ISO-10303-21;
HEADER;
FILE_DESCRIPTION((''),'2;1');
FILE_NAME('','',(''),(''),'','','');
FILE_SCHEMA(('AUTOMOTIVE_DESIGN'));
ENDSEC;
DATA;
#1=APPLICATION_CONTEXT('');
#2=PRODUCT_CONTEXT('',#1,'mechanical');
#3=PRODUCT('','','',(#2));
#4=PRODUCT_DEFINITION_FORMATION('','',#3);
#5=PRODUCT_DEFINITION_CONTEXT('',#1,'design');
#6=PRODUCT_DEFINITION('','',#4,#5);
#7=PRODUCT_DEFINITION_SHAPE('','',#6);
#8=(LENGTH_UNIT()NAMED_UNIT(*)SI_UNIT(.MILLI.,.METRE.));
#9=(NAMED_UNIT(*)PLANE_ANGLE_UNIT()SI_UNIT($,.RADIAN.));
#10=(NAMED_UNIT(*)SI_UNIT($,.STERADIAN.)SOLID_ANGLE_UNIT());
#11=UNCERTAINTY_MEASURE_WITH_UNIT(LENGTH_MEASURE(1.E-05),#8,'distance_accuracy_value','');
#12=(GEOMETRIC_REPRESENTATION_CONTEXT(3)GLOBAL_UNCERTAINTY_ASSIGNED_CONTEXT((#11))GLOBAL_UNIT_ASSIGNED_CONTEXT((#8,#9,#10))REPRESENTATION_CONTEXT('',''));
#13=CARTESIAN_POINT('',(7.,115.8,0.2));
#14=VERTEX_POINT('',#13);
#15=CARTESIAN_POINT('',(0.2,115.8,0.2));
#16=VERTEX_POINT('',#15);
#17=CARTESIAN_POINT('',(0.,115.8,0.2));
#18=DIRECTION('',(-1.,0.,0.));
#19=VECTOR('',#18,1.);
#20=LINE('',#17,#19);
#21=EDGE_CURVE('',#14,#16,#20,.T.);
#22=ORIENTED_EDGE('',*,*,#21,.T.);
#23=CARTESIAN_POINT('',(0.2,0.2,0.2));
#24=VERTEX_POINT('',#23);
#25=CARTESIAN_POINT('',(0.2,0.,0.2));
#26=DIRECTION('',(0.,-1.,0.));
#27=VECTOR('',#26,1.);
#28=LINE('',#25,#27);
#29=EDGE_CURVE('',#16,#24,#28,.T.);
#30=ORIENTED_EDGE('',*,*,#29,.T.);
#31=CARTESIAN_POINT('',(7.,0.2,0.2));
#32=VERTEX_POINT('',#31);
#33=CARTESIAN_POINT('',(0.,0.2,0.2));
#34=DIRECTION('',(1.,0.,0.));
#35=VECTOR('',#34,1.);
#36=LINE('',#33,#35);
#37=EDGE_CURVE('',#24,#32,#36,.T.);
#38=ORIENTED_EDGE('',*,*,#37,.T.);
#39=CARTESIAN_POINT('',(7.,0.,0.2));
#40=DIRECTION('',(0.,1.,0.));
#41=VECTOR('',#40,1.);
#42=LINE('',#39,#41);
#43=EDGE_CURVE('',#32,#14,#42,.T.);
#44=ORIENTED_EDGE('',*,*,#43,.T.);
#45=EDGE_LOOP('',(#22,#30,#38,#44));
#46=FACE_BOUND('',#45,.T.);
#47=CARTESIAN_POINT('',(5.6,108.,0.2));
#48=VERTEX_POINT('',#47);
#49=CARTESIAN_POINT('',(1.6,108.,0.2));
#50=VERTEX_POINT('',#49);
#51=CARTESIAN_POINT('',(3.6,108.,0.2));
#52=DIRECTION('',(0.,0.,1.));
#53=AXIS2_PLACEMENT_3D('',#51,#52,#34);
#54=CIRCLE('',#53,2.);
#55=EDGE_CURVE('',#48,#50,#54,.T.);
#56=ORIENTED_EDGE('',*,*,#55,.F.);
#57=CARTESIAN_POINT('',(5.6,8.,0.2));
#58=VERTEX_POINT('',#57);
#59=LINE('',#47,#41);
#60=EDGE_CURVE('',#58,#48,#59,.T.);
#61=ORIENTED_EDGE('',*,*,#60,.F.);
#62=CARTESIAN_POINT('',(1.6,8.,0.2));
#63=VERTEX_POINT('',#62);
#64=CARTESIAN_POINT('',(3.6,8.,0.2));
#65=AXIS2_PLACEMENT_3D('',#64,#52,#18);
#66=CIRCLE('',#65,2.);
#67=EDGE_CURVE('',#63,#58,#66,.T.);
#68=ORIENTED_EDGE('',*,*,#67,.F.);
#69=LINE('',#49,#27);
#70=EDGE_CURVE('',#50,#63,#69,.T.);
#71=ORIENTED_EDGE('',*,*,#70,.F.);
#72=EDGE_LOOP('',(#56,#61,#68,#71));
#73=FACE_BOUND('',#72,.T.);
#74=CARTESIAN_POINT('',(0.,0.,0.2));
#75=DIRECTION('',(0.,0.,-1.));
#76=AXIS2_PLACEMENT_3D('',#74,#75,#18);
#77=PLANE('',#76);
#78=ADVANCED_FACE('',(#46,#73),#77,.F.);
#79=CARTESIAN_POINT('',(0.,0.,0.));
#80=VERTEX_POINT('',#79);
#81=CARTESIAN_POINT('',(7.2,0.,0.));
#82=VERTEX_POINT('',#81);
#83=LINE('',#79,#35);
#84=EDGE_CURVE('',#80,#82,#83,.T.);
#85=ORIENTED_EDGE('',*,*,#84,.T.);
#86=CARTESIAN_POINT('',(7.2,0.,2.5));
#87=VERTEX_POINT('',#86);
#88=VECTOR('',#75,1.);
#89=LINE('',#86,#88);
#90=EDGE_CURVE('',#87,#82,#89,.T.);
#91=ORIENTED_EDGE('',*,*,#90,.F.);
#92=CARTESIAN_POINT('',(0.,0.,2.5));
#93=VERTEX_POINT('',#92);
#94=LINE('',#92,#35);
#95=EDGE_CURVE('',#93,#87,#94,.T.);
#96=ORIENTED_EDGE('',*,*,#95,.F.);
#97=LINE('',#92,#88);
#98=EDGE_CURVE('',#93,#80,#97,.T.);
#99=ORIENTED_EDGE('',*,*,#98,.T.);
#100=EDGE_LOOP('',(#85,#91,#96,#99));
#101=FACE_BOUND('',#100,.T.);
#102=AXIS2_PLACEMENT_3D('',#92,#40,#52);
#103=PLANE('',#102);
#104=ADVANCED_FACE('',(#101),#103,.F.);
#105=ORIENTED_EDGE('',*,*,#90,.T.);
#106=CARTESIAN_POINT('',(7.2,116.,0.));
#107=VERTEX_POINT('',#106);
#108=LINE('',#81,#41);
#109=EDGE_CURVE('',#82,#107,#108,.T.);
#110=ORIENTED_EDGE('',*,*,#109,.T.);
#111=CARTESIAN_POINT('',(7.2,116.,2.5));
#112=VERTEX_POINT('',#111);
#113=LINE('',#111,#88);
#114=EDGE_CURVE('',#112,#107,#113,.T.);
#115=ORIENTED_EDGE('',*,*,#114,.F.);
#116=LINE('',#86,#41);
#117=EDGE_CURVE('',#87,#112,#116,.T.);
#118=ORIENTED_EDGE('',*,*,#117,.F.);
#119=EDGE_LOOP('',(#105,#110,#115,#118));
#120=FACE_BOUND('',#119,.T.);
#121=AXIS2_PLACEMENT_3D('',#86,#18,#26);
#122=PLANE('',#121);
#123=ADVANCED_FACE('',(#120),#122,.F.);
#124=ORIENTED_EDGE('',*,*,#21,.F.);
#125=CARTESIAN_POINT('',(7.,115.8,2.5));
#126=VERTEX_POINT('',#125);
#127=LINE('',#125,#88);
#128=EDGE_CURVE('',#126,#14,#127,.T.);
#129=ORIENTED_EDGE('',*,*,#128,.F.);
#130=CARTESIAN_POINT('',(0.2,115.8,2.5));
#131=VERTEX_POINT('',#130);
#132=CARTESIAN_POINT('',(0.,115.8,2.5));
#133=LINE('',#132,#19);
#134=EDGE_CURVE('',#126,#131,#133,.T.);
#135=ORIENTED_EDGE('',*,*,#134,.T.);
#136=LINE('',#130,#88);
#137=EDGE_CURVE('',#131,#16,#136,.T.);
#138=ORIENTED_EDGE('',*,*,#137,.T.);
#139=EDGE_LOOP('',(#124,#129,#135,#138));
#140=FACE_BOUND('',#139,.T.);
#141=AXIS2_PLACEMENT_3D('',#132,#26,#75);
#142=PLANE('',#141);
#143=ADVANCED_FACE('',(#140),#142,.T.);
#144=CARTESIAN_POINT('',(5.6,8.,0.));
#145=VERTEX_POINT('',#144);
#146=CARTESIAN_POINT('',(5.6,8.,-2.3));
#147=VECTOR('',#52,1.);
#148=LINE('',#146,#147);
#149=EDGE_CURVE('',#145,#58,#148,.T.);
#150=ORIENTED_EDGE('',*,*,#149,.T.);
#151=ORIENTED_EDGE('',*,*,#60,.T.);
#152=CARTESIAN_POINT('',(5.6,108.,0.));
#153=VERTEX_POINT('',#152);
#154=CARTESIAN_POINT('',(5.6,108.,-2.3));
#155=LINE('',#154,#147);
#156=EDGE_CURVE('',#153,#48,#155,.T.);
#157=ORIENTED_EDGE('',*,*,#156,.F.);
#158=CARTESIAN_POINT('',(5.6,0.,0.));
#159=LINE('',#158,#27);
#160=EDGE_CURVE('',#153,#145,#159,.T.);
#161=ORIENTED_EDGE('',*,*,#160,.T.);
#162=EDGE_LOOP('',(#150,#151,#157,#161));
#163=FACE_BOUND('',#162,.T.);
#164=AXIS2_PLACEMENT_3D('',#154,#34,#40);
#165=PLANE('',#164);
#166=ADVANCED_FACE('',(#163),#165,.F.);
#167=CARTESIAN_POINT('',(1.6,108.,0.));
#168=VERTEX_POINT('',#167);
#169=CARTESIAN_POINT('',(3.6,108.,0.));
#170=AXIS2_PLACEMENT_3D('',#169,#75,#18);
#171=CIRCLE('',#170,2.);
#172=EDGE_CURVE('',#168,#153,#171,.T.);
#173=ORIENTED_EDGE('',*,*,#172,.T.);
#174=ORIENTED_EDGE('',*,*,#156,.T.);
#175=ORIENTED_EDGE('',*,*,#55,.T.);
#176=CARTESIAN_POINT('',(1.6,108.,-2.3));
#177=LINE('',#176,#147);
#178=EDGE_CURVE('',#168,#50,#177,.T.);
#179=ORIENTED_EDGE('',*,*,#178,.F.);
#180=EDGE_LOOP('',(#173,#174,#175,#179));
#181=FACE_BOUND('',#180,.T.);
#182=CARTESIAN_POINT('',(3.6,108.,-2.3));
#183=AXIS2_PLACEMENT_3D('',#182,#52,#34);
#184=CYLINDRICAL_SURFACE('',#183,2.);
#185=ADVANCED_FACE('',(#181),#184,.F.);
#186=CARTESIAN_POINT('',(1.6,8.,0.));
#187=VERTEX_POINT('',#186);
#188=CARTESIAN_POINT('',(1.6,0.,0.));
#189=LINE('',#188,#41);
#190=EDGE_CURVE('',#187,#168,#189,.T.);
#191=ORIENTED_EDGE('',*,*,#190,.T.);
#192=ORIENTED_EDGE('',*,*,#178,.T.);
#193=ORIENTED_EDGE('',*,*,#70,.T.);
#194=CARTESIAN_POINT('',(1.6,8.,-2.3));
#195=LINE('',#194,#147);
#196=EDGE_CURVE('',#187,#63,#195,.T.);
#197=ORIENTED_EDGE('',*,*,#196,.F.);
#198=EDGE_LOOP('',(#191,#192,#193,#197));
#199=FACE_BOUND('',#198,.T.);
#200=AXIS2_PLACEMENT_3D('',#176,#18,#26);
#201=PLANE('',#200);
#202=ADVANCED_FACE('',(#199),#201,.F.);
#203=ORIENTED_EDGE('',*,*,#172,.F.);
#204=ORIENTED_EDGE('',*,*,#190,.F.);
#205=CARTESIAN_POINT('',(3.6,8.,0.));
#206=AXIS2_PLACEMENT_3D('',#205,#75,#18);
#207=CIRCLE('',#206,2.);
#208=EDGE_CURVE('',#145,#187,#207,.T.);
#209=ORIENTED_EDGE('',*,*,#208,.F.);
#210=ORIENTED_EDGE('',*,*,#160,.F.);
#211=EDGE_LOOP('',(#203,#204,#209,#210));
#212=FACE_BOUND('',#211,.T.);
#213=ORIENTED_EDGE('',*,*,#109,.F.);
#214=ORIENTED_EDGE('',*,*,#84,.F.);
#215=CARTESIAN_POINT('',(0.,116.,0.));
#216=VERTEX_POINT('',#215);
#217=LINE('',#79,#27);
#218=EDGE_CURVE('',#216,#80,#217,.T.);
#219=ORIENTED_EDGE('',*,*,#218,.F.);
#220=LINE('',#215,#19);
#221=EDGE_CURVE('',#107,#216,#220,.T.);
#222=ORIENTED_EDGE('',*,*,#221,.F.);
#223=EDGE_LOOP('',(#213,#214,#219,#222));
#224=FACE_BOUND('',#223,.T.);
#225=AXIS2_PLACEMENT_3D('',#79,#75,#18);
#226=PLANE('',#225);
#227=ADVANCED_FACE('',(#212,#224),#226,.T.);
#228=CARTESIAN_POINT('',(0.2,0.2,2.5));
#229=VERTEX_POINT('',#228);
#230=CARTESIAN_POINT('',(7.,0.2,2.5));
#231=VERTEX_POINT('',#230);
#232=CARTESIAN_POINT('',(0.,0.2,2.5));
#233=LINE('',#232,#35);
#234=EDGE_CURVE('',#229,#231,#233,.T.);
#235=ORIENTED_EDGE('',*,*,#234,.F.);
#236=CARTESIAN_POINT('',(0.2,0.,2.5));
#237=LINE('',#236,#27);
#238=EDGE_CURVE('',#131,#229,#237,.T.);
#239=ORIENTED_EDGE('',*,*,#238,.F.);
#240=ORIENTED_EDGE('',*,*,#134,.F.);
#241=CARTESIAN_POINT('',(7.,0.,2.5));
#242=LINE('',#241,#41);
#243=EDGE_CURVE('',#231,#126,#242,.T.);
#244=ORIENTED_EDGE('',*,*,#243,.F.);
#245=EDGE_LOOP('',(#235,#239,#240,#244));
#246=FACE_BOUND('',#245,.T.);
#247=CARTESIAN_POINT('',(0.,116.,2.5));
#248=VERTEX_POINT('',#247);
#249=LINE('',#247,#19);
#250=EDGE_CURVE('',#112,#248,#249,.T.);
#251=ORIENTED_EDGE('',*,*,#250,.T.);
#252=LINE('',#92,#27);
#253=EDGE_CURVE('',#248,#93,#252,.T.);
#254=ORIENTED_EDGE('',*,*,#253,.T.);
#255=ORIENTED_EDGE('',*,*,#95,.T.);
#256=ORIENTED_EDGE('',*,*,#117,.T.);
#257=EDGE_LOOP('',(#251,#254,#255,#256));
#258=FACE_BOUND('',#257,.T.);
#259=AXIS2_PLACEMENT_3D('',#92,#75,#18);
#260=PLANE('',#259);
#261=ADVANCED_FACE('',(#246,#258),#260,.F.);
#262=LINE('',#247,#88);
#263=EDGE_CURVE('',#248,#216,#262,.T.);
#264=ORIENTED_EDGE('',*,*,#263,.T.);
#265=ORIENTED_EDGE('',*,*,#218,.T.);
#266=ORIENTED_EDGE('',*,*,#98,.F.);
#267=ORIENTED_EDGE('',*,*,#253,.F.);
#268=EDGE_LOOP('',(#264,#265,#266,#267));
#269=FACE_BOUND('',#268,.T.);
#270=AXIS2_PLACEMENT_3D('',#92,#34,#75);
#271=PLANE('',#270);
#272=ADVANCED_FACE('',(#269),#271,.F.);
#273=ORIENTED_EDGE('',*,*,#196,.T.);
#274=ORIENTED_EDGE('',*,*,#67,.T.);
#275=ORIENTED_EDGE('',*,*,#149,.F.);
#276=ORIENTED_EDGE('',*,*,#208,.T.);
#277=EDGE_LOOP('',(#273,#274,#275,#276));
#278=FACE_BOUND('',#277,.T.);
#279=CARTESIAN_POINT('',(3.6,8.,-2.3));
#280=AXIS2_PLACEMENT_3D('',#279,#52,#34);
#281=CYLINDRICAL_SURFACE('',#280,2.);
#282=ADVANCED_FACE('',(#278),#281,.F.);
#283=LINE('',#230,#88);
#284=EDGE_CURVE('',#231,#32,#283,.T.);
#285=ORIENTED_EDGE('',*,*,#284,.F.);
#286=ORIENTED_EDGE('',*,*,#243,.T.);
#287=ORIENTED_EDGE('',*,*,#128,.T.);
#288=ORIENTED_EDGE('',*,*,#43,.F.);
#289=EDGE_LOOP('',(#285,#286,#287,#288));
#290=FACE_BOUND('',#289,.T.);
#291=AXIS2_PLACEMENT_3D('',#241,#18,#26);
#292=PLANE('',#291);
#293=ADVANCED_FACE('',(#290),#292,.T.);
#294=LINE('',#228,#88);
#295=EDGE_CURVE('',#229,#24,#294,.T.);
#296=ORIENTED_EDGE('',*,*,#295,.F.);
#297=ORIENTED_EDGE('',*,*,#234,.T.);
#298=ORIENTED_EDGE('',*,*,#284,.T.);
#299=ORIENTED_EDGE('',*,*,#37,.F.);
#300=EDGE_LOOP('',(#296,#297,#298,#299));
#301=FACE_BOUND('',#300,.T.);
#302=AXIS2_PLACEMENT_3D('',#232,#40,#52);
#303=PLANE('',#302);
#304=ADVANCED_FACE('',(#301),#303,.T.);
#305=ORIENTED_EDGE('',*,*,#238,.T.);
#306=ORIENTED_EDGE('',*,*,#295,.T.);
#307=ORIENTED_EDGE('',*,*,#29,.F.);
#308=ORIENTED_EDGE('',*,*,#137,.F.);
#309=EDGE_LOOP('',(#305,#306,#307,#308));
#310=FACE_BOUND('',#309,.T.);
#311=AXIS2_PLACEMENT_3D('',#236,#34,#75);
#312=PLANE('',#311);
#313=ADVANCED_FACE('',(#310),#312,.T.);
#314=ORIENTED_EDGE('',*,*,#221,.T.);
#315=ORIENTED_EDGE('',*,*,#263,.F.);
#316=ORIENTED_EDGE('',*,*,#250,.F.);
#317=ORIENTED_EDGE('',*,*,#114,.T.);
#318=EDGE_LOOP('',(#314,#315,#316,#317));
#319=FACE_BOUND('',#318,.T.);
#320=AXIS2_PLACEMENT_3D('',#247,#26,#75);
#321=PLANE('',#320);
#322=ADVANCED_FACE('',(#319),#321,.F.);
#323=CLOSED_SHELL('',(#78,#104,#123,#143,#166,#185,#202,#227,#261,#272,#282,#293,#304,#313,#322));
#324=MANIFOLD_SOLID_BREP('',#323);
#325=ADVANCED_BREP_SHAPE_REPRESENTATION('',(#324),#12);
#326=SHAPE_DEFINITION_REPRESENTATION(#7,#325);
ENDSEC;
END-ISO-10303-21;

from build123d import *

# Parameters (mm, degrees)
SKETCH_1_W          = 7.2
SKETCH_1_H          = 116
EXTRUDE_1_DEPTH     = 2.5
SHELL_1_T           = -0.2
CUT_EXTRUDE_1_DEPTH = 2.5


with BuildPart() as part:
    # 스케치1 → 보스-돌출1 (new body)
    with BuildSketch(Plane.XY):
        with Locations((3.6, 58)):
            Rectangle(SKETCH_1_W, SKETCH_1_H)
    extrude(amount=EXTRUDE_1_DEPTH)

    # 쉘1
    shell_1_openings = [part.faces().sort_by_distance(p)[0] for p in [
        (3.6, 58, 2.5),
    ]]
    offset(amount=SHELL_1_T, openings=shell_1_openings, kind=Kind.INTERSECTION)

    # 스케치2 → 컷-돌출1 (cut)
    with BuildSketch(Plane.XY.offset(0.2)):
        with BuildLine():
            Line((5.6, 108), (5.6, 8))
            ThreePointArc((5.6, 8), (3.6, 6), (1.6, 8))
            Line((1.6, 8), (1.6, 108))
            ThreePointArc((1.6, 108), (3.6, 110), (5.6, 108))
        make_face()
    extrude(amount=-CUT_EXTRUDE_1_DEPTH, mode=Mode.SUBTRACT)


solid = part.part
